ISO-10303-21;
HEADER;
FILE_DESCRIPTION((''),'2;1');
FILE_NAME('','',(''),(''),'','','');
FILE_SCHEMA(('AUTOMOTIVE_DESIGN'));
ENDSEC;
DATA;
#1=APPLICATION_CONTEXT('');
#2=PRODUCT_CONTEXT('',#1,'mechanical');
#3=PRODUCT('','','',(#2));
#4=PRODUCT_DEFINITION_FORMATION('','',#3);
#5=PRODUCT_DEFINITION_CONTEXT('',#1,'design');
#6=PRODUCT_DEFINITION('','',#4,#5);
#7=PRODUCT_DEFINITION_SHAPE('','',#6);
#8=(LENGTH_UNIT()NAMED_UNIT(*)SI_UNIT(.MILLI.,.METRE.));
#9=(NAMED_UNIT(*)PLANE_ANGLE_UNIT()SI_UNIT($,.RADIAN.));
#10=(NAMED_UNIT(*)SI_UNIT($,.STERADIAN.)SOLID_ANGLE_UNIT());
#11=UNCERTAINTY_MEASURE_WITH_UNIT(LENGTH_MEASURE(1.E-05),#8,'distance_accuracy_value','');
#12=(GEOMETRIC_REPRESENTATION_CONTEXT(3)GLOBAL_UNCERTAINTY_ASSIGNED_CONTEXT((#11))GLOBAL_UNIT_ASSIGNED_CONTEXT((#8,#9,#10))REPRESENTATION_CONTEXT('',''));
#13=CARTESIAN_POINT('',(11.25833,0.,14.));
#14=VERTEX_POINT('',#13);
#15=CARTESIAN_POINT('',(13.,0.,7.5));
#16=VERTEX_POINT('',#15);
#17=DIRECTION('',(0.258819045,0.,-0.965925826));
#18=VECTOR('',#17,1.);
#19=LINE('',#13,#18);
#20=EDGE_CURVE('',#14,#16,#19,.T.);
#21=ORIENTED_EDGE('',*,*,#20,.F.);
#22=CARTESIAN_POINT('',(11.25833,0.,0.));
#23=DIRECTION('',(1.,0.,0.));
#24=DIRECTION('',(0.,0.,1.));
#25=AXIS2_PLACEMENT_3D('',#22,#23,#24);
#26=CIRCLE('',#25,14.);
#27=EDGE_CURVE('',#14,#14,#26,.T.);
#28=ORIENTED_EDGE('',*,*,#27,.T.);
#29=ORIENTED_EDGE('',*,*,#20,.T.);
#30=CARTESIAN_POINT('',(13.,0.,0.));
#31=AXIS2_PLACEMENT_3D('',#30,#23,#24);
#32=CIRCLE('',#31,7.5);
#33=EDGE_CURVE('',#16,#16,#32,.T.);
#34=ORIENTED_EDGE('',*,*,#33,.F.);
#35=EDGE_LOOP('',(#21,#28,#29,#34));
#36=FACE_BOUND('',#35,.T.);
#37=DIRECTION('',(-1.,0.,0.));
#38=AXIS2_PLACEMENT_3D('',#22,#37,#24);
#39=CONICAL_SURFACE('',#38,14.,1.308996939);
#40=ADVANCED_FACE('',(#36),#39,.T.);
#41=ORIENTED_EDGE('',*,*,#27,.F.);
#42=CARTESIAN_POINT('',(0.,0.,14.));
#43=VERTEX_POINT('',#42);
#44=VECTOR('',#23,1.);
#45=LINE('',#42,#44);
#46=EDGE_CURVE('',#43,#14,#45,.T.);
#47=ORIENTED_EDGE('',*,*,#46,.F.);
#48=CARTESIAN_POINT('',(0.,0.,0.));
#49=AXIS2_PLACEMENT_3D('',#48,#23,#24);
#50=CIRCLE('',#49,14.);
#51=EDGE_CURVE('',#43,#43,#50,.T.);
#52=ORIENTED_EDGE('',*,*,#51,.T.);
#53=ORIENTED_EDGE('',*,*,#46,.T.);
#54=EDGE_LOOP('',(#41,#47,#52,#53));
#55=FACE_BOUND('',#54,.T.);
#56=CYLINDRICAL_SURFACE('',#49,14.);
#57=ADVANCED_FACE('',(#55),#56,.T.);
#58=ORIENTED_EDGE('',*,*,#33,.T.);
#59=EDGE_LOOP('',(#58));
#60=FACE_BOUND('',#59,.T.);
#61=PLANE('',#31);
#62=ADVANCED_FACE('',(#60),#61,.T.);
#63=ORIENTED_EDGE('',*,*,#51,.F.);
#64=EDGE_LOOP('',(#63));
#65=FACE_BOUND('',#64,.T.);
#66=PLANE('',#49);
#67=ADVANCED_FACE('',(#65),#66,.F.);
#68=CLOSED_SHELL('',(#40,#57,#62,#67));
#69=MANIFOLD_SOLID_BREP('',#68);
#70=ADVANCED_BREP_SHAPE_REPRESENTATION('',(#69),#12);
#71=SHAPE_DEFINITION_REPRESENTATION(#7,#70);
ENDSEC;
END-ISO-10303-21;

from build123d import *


with BuildPart() as part:
    # Skizze1 → Rotation1 (revolve)
    with BuildSketch(Plane.XY, mode=Mode.PRIVATE) as rotation1_sk:
        Polygon((0, 0), (0, -14), (11.258330249, -14), (13, -7.5), (13, 0), align=None)
    revolve(rotation1_sk.sketch.rotate(Axis((0, 0, 0), (1, 0, 0)), 270), axis=Axis((0, 0, 0), (1, 0, 0)))  # turned: the seam where the file's is


solid = part.part
